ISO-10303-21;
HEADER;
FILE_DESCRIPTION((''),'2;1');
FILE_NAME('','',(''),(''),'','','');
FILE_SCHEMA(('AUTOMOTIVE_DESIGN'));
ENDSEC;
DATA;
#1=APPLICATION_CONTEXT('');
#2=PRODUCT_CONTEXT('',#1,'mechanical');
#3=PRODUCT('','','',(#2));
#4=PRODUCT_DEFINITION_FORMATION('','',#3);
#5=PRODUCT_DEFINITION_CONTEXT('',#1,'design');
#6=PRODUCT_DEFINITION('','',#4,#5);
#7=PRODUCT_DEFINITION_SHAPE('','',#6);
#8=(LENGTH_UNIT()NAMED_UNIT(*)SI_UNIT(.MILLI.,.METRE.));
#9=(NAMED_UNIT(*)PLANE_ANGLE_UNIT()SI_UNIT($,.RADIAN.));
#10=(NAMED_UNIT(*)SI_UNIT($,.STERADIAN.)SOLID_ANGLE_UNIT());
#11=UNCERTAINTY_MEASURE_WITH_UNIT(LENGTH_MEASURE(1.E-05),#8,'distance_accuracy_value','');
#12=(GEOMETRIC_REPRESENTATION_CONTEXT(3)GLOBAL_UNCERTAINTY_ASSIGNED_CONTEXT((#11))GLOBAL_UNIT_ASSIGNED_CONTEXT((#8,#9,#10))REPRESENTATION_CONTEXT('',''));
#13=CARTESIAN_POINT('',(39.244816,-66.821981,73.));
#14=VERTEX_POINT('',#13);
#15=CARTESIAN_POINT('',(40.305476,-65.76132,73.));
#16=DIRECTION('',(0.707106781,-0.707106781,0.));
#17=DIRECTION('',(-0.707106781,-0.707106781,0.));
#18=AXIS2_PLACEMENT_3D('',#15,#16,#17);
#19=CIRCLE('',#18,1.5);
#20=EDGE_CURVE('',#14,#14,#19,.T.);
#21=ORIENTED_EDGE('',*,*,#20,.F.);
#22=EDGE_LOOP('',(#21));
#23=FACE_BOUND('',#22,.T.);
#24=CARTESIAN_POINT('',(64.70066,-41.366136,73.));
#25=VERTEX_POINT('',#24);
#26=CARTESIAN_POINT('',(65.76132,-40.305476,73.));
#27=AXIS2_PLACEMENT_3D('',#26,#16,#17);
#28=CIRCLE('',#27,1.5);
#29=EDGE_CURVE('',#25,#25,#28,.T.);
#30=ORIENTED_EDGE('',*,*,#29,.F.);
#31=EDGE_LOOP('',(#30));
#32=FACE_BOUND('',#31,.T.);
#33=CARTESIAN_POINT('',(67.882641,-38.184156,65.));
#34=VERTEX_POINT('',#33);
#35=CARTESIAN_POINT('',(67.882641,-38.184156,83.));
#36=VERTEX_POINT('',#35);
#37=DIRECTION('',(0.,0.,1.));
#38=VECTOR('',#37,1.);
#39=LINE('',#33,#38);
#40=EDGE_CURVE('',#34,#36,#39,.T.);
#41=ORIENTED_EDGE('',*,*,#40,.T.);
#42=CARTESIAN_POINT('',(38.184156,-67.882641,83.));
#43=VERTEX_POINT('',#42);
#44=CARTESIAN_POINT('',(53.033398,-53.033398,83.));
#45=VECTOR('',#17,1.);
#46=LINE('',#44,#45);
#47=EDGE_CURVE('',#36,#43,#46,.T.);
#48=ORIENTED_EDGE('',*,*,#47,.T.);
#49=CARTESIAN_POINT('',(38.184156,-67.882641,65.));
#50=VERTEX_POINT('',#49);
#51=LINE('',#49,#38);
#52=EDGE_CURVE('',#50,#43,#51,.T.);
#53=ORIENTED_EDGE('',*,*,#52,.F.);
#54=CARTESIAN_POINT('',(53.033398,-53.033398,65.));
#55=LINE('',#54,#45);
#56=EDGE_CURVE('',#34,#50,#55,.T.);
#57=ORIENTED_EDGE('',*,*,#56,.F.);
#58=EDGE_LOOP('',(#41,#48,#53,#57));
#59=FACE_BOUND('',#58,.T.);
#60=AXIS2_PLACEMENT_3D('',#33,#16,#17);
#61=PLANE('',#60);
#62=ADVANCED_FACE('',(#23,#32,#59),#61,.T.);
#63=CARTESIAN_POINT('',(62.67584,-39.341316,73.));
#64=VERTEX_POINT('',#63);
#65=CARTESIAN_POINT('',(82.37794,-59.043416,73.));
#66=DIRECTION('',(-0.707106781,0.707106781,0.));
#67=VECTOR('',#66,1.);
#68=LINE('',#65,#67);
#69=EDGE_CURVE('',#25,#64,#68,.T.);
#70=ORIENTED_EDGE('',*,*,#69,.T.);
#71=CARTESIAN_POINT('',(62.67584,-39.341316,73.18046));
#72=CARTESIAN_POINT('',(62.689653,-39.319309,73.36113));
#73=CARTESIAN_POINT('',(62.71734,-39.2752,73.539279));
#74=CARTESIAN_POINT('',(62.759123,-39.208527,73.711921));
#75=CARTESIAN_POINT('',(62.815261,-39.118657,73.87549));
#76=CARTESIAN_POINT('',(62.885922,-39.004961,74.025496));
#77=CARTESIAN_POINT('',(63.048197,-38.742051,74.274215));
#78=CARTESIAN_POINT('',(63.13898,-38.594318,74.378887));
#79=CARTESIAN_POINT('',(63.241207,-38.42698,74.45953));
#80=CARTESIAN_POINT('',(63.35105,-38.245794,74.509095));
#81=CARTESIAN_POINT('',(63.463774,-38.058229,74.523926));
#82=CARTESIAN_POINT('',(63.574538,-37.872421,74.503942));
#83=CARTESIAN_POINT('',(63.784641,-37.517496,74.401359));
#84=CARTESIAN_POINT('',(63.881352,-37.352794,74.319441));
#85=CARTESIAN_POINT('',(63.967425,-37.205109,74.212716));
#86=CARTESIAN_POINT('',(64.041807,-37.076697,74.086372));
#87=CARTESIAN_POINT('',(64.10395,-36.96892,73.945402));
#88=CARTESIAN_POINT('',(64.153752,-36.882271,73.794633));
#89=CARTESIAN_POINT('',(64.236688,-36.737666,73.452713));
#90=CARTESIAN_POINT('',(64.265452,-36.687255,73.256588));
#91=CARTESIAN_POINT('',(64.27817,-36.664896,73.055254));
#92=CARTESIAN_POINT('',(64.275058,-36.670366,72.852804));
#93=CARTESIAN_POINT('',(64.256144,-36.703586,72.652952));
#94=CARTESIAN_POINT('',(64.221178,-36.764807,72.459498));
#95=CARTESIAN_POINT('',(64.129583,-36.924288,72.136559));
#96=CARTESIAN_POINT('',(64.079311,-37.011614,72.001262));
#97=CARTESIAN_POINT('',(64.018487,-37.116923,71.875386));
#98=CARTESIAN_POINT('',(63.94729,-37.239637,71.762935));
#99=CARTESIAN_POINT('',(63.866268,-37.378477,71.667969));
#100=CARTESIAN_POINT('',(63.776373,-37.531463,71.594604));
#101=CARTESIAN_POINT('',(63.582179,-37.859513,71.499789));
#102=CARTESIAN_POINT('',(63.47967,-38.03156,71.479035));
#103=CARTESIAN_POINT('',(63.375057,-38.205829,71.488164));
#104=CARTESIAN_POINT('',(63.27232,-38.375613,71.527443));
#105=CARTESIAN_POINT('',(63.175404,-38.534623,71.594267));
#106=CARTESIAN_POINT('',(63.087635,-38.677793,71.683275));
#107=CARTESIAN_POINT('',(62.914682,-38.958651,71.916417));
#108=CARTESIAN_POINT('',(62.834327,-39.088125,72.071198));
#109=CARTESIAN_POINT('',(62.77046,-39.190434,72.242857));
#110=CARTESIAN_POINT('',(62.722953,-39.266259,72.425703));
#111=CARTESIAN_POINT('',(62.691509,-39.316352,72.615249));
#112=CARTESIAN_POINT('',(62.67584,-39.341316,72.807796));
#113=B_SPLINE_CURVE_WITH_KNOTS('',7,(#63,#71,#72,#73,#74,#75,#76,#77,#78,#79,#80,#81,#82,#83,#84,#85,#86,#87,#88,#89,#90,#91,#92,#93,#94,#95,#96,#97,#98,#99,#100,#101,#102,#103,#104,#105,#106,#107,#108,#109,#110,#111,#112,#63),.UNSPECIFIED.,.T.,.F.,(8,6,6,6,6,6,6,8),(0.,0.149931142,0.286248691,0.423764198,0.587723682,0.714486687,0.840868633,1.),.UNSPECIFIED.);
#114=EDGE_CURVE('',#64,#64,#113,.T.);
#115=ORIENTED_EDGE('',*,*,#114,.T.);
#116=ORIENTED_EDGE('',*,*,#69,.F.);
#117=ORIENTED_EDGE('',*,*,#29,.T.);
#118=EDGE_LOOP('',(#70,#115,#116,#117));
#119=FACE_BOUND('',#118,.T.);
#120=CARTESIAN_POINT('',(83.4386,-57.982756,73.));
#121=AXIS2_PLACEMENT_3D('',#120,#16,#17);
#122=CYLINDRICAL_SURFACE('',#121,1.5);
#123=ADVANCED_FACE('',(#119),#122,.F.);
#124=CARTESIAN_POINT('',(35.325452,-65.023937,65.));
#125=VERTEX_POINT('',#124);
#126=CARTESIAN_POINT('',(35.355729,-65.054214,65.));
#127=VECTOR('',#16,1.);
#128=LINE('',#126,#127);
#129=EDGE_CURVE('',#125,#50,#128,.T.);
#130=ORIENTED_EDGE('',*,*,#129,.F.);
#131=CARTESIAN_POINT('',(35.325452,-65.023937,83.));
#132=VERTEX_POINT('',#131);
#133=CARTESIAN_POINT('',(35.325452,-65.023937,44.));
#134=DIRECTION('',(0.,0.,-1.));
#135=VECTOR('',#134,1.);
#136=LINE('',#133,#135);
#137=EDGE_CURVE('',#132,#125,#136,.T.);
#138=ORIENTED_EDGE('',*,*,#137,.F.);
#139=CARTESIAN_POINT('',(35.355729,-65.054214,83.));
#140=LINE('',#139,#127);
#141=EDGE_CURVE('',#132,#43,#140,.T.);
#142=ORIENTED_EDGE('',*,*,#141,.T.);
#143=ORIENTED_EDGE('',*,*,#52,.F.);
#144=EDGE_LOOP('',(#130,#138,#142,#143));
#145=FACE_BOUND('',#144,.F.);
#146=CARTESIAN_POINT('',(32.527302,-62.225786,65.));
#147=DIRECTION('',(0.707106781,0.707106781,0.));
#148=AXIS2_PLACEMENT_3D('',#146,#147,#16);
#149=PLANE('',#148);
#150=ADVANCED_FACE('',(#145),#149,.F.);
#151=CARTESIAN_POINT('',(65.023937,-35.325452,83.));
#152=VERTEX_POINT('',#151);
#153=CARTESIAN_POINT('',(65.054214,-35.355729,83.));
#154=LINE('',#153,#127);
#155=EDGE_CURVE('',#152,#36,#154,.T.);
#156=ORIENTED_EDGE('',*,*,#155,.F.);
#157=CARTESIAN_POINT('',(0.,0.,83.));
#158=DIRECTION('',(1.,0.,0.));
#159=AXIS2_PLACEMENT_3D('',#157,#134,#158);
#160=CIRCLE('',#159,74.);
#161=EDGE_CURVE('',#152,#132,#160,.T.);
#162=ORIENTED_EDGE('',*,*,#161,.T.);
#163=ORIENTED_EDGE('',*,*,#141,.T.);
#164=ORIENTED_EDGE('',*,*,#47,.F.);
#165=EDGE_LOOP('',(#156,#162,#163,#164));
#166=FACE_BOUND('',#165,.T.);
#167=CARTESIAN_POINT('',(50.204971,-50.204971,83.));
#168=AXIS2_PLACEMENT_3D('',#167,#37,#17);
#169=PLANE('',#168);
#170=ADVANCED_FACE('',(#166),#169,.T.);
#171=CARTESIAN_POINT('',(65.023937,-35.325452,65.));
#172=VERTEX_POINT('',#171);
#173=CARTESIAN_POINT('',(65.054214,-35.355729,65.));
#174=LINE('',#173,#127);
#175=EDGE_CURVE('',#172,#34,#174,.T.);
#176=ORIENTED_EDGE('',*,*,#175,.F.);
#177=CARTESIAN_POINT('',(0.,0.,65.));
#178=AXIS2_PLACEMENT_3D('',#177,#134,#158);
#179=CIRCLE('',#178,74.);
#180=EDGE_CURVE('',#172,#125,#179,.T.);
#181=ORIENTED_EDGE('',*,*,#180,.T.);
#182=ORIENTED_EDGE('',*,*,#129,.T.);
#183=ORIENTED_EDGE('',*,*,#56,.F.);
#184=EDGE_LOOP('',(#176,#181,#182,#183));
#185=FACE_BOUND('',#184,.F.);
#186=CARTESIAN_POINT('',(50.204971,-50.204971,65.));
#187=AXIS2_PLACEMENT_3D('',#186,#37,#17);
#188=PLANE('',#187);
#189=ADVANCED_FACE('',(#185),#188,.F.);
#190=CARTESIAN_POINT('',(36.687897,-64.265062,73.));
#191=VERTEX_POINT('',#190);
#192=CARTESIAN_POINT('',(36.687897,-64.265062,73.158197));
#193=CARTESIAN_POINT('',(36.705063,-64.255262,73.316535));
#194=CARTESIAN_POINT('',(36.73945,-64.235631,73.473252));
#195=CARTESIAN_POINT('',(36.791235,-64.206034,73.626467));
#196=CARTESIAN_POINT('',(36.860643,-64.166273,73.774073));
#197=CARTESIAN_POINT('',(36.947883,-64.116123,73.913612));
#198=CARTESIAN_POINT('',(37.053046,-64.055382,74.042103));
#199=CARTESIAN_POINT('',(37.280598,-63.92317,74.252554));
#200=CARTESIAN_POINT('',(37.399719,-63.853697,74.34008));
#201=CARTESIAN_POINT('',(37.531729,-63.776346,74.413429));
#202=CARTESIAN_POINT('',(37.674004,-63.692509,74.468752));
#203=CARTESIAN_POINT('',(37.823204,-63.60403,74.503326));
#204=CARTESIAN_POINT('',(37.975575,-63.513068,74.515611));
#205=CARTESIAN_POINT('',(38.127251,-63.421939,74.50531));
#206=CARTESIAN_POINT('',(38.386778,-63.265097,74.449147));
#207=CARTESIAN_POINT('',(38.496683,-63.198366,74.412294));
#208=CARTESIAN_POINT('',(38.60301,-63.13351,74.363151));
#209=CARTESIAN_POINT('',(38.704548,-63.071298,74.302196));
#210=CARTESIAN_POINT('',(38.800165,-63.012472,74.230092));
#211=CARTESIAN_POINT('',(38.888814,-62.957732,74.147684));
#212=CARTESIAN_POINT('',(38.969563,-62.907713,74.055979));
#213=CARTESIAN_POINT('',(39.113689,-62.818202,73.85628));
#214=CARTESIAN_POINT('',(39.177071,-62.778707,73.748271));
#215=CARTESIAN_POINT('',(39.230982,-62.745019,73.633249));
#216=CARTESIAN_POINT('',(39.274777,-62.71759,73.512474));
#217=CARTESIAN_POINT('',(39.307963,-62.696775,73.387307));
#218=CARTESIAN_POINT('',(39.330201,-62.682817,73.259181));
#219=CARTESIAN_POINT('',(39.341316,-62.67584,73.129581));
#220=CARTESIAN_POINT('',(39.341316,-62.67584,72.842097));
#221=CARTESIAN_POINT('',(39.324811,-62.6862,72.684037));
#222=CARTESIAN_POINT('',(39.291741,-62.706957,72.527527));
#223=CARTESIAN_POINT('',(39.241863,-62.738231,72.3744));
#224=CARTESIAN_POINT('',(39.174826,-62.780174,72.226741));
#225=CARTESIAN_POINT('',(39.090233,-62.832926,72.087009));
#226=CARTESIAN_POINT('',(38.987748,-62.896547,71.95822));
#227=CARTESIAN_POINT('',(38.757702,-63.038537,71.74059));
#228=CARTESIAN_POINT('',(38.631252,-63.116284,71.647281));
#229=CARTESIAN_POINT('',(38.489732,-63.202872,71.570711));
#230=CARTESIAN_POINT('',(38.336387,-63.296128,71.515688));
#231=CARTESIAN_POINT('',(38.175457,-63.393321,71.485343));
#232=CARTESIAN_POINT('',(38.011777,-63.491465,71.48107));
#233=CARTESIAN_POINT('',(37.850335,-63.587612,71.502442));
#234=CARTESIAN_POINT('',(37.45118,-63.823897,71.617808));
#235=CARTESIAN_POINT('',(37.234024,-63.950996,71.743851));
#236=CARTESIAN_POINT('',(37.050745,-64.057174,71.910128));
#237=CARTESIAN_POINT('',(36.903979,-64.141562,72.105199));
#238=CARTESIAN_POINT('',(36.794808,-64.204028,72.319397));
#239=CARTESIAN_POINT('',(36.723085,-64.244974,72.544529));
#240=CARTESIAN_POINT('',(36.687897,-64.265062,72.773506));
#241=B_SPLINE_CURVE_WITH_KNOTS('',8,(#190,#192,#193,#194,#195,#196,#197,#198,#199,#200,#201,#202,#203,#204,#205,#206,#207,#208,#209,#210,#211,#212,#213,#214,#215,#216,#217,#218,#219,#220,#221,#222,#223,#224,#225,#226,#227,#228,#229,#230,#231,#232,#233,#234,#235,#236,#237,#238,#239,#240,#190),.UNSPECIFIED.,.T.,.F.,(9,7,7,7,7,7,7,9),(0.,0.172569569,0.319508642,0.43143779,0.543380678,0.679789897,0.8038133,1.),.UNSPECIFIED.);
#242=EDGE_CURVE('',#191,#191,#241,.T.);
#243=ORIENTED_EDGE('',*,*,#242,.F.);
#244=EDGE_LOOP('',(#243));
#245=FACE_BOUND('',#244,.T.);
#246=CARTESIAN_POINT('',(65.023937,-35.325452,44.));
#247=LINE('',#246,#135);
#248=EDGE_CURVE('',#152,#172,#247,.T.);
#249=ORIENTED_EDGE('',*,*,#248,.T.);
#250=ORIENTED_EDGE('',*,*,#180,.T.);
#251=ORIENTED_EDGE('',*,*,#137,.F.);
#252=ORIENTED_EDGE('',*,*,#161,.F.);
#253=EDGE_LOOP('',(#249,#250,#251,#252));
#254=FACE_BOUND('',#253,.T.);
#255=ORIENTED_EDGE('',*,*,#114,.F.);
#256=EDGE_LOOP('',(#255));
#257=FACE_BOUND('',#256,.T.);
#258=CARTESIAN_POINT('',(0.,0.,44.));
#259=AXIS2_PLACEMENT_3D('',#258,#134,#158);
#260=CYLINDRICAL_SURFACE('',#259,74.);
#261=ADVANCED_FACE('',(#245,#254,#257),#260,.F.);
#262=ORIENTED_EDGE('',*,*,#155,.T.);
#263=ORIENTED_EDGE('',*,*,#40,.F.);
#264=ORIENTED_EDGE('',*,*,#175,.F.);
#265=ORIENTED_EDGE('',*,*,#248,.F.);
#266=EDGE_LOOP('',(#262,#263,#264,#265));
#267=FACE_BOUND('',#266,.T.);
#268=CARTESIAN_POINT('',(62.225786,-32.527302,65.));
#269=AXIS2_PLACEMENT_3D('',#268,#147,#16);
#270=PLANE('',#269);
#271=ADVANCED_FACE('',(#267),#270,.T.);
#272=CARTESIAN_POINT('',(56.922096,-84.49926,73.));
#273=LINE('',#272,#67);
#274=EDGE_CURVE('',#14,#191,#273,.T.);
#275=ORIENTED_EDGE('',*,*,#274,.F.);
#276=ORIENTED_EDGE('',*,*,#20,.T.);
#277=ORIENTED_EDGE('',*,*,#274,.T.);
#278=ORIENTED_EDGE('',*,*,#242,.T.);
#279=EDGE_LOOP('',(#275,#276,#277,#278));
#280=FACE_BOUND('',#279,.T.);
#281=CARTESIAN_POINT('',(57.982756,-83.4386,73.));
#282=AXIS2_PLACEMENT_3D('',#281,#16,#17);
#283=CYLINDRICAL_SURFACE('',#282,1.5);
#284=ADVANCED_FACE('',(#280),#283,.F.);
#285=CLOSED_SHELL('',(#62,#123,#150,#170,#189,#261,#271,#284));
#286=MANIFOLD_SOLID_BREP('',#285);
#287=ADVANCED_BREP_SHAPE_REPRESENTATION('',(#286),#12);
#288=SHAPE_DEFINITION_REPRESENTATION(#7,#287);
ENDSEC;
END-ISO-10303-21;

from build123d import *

# Parameters (mm, degrees)
CYLINDER1726_R              = 1.5
CYLINDER1726_DEPTH          = 50
COMPOUND868_PLACEMENT_ANGLE = 225
CYLINDER1725_R              = 1.5
CYLINDER1725_DEPTH          = 50
COMPOUND869_PLACEMENT_ANGLE = 225
CYLINDER1724_R              = 74
CYLINDER1724_DEPTH          = 40
BOX685_W                    = 42
BOX685_H                    = 8
BOX685_DEPTH                = 18
COMPOUND862_PLACEMENT_ANGLE = 225


with BuildPart() as compound868:
    # Cylinder1726 → Cylinder1726 (new body)
    with BuildSketch(Plane(origin=(18, 100, 72), x_dir=(1, 0, 0), z_dir=(0, -1, 0))):
        Circle(CYLINDER1726_R)
    extrude(amount=CYLINDER1726_DEPTH)


with BuildPart() as compound868_1:
    # Compound868 placement: moved
    add(compound868.part.rotate(Axis((0, 0, 0), (0, 0, 1)), COMPOUND868_PLACEMENT_ANGLE))


with BuildPart() as compound867:
    # Cylinder1725 → Cylinder1725 (new body)
    with BuildSketch(Plane(origin=(-18, 100, 72), x_dir=(1, 0, 0), z_dir=(0, -1, 0))):
        Circle(CYLINDER1725_R)
    extrude(amount=CYLINDER1725_DEPTH)


with BuildPart() as compound867_1:
    # Compound869 placement: moved
    add(compound867.part.rotate(Axis((0, 0, 0), (0, 0, 1)), COMPOUND869_PLACEMENT_ANGLE))

    # Compound867: union Compound868
    add(compound868_1.part)


with BuildPart() as compound867_2:
    # Compound867 placement: moved
    add(compound867_1.part.moved(Location((0, 0, 1))))


with BuildPart() as v_lec1724:
    # Cylinder1724 → Cylinder1724 (new body)
    with BuildSketch(Plane.XY.offset(44)):
        Circle(CYLINDER1724_R)
    extrude(amount=CYLINDER1724_DEPTH)


with BuildPart() as cut499:
    # Box685 → Box685 (new body)
    with BuildSketch(Plane(origin=(-21, -23, 22), x_dir=(1, 0, 0), z_dir=(0, 0, 1))):
        with Locations((21, 4)):
            Rectangle(BOX685_W, BOX685_H)
    extrude(amount=BOX685_DEPTH)


with BuildPart() as cut499_1:
    # Compound862 placement: moved
    add(cut499.part.moved(Location((63.64, -63.64, 43))).rotate(Axis((63.64, -63.64, 43), (0, 0, 1)), COMPOUND862_PLACEMENT_ANGLE))

    # Cut498: cut Válec1724
    add(v_lec1724.part, mode=Mode.SUBTRACT)

    # Cut499: cut Compound867
    add(compound867_2.part, mode=Mode.SUBTRACT)


solid = cut499_1.part
